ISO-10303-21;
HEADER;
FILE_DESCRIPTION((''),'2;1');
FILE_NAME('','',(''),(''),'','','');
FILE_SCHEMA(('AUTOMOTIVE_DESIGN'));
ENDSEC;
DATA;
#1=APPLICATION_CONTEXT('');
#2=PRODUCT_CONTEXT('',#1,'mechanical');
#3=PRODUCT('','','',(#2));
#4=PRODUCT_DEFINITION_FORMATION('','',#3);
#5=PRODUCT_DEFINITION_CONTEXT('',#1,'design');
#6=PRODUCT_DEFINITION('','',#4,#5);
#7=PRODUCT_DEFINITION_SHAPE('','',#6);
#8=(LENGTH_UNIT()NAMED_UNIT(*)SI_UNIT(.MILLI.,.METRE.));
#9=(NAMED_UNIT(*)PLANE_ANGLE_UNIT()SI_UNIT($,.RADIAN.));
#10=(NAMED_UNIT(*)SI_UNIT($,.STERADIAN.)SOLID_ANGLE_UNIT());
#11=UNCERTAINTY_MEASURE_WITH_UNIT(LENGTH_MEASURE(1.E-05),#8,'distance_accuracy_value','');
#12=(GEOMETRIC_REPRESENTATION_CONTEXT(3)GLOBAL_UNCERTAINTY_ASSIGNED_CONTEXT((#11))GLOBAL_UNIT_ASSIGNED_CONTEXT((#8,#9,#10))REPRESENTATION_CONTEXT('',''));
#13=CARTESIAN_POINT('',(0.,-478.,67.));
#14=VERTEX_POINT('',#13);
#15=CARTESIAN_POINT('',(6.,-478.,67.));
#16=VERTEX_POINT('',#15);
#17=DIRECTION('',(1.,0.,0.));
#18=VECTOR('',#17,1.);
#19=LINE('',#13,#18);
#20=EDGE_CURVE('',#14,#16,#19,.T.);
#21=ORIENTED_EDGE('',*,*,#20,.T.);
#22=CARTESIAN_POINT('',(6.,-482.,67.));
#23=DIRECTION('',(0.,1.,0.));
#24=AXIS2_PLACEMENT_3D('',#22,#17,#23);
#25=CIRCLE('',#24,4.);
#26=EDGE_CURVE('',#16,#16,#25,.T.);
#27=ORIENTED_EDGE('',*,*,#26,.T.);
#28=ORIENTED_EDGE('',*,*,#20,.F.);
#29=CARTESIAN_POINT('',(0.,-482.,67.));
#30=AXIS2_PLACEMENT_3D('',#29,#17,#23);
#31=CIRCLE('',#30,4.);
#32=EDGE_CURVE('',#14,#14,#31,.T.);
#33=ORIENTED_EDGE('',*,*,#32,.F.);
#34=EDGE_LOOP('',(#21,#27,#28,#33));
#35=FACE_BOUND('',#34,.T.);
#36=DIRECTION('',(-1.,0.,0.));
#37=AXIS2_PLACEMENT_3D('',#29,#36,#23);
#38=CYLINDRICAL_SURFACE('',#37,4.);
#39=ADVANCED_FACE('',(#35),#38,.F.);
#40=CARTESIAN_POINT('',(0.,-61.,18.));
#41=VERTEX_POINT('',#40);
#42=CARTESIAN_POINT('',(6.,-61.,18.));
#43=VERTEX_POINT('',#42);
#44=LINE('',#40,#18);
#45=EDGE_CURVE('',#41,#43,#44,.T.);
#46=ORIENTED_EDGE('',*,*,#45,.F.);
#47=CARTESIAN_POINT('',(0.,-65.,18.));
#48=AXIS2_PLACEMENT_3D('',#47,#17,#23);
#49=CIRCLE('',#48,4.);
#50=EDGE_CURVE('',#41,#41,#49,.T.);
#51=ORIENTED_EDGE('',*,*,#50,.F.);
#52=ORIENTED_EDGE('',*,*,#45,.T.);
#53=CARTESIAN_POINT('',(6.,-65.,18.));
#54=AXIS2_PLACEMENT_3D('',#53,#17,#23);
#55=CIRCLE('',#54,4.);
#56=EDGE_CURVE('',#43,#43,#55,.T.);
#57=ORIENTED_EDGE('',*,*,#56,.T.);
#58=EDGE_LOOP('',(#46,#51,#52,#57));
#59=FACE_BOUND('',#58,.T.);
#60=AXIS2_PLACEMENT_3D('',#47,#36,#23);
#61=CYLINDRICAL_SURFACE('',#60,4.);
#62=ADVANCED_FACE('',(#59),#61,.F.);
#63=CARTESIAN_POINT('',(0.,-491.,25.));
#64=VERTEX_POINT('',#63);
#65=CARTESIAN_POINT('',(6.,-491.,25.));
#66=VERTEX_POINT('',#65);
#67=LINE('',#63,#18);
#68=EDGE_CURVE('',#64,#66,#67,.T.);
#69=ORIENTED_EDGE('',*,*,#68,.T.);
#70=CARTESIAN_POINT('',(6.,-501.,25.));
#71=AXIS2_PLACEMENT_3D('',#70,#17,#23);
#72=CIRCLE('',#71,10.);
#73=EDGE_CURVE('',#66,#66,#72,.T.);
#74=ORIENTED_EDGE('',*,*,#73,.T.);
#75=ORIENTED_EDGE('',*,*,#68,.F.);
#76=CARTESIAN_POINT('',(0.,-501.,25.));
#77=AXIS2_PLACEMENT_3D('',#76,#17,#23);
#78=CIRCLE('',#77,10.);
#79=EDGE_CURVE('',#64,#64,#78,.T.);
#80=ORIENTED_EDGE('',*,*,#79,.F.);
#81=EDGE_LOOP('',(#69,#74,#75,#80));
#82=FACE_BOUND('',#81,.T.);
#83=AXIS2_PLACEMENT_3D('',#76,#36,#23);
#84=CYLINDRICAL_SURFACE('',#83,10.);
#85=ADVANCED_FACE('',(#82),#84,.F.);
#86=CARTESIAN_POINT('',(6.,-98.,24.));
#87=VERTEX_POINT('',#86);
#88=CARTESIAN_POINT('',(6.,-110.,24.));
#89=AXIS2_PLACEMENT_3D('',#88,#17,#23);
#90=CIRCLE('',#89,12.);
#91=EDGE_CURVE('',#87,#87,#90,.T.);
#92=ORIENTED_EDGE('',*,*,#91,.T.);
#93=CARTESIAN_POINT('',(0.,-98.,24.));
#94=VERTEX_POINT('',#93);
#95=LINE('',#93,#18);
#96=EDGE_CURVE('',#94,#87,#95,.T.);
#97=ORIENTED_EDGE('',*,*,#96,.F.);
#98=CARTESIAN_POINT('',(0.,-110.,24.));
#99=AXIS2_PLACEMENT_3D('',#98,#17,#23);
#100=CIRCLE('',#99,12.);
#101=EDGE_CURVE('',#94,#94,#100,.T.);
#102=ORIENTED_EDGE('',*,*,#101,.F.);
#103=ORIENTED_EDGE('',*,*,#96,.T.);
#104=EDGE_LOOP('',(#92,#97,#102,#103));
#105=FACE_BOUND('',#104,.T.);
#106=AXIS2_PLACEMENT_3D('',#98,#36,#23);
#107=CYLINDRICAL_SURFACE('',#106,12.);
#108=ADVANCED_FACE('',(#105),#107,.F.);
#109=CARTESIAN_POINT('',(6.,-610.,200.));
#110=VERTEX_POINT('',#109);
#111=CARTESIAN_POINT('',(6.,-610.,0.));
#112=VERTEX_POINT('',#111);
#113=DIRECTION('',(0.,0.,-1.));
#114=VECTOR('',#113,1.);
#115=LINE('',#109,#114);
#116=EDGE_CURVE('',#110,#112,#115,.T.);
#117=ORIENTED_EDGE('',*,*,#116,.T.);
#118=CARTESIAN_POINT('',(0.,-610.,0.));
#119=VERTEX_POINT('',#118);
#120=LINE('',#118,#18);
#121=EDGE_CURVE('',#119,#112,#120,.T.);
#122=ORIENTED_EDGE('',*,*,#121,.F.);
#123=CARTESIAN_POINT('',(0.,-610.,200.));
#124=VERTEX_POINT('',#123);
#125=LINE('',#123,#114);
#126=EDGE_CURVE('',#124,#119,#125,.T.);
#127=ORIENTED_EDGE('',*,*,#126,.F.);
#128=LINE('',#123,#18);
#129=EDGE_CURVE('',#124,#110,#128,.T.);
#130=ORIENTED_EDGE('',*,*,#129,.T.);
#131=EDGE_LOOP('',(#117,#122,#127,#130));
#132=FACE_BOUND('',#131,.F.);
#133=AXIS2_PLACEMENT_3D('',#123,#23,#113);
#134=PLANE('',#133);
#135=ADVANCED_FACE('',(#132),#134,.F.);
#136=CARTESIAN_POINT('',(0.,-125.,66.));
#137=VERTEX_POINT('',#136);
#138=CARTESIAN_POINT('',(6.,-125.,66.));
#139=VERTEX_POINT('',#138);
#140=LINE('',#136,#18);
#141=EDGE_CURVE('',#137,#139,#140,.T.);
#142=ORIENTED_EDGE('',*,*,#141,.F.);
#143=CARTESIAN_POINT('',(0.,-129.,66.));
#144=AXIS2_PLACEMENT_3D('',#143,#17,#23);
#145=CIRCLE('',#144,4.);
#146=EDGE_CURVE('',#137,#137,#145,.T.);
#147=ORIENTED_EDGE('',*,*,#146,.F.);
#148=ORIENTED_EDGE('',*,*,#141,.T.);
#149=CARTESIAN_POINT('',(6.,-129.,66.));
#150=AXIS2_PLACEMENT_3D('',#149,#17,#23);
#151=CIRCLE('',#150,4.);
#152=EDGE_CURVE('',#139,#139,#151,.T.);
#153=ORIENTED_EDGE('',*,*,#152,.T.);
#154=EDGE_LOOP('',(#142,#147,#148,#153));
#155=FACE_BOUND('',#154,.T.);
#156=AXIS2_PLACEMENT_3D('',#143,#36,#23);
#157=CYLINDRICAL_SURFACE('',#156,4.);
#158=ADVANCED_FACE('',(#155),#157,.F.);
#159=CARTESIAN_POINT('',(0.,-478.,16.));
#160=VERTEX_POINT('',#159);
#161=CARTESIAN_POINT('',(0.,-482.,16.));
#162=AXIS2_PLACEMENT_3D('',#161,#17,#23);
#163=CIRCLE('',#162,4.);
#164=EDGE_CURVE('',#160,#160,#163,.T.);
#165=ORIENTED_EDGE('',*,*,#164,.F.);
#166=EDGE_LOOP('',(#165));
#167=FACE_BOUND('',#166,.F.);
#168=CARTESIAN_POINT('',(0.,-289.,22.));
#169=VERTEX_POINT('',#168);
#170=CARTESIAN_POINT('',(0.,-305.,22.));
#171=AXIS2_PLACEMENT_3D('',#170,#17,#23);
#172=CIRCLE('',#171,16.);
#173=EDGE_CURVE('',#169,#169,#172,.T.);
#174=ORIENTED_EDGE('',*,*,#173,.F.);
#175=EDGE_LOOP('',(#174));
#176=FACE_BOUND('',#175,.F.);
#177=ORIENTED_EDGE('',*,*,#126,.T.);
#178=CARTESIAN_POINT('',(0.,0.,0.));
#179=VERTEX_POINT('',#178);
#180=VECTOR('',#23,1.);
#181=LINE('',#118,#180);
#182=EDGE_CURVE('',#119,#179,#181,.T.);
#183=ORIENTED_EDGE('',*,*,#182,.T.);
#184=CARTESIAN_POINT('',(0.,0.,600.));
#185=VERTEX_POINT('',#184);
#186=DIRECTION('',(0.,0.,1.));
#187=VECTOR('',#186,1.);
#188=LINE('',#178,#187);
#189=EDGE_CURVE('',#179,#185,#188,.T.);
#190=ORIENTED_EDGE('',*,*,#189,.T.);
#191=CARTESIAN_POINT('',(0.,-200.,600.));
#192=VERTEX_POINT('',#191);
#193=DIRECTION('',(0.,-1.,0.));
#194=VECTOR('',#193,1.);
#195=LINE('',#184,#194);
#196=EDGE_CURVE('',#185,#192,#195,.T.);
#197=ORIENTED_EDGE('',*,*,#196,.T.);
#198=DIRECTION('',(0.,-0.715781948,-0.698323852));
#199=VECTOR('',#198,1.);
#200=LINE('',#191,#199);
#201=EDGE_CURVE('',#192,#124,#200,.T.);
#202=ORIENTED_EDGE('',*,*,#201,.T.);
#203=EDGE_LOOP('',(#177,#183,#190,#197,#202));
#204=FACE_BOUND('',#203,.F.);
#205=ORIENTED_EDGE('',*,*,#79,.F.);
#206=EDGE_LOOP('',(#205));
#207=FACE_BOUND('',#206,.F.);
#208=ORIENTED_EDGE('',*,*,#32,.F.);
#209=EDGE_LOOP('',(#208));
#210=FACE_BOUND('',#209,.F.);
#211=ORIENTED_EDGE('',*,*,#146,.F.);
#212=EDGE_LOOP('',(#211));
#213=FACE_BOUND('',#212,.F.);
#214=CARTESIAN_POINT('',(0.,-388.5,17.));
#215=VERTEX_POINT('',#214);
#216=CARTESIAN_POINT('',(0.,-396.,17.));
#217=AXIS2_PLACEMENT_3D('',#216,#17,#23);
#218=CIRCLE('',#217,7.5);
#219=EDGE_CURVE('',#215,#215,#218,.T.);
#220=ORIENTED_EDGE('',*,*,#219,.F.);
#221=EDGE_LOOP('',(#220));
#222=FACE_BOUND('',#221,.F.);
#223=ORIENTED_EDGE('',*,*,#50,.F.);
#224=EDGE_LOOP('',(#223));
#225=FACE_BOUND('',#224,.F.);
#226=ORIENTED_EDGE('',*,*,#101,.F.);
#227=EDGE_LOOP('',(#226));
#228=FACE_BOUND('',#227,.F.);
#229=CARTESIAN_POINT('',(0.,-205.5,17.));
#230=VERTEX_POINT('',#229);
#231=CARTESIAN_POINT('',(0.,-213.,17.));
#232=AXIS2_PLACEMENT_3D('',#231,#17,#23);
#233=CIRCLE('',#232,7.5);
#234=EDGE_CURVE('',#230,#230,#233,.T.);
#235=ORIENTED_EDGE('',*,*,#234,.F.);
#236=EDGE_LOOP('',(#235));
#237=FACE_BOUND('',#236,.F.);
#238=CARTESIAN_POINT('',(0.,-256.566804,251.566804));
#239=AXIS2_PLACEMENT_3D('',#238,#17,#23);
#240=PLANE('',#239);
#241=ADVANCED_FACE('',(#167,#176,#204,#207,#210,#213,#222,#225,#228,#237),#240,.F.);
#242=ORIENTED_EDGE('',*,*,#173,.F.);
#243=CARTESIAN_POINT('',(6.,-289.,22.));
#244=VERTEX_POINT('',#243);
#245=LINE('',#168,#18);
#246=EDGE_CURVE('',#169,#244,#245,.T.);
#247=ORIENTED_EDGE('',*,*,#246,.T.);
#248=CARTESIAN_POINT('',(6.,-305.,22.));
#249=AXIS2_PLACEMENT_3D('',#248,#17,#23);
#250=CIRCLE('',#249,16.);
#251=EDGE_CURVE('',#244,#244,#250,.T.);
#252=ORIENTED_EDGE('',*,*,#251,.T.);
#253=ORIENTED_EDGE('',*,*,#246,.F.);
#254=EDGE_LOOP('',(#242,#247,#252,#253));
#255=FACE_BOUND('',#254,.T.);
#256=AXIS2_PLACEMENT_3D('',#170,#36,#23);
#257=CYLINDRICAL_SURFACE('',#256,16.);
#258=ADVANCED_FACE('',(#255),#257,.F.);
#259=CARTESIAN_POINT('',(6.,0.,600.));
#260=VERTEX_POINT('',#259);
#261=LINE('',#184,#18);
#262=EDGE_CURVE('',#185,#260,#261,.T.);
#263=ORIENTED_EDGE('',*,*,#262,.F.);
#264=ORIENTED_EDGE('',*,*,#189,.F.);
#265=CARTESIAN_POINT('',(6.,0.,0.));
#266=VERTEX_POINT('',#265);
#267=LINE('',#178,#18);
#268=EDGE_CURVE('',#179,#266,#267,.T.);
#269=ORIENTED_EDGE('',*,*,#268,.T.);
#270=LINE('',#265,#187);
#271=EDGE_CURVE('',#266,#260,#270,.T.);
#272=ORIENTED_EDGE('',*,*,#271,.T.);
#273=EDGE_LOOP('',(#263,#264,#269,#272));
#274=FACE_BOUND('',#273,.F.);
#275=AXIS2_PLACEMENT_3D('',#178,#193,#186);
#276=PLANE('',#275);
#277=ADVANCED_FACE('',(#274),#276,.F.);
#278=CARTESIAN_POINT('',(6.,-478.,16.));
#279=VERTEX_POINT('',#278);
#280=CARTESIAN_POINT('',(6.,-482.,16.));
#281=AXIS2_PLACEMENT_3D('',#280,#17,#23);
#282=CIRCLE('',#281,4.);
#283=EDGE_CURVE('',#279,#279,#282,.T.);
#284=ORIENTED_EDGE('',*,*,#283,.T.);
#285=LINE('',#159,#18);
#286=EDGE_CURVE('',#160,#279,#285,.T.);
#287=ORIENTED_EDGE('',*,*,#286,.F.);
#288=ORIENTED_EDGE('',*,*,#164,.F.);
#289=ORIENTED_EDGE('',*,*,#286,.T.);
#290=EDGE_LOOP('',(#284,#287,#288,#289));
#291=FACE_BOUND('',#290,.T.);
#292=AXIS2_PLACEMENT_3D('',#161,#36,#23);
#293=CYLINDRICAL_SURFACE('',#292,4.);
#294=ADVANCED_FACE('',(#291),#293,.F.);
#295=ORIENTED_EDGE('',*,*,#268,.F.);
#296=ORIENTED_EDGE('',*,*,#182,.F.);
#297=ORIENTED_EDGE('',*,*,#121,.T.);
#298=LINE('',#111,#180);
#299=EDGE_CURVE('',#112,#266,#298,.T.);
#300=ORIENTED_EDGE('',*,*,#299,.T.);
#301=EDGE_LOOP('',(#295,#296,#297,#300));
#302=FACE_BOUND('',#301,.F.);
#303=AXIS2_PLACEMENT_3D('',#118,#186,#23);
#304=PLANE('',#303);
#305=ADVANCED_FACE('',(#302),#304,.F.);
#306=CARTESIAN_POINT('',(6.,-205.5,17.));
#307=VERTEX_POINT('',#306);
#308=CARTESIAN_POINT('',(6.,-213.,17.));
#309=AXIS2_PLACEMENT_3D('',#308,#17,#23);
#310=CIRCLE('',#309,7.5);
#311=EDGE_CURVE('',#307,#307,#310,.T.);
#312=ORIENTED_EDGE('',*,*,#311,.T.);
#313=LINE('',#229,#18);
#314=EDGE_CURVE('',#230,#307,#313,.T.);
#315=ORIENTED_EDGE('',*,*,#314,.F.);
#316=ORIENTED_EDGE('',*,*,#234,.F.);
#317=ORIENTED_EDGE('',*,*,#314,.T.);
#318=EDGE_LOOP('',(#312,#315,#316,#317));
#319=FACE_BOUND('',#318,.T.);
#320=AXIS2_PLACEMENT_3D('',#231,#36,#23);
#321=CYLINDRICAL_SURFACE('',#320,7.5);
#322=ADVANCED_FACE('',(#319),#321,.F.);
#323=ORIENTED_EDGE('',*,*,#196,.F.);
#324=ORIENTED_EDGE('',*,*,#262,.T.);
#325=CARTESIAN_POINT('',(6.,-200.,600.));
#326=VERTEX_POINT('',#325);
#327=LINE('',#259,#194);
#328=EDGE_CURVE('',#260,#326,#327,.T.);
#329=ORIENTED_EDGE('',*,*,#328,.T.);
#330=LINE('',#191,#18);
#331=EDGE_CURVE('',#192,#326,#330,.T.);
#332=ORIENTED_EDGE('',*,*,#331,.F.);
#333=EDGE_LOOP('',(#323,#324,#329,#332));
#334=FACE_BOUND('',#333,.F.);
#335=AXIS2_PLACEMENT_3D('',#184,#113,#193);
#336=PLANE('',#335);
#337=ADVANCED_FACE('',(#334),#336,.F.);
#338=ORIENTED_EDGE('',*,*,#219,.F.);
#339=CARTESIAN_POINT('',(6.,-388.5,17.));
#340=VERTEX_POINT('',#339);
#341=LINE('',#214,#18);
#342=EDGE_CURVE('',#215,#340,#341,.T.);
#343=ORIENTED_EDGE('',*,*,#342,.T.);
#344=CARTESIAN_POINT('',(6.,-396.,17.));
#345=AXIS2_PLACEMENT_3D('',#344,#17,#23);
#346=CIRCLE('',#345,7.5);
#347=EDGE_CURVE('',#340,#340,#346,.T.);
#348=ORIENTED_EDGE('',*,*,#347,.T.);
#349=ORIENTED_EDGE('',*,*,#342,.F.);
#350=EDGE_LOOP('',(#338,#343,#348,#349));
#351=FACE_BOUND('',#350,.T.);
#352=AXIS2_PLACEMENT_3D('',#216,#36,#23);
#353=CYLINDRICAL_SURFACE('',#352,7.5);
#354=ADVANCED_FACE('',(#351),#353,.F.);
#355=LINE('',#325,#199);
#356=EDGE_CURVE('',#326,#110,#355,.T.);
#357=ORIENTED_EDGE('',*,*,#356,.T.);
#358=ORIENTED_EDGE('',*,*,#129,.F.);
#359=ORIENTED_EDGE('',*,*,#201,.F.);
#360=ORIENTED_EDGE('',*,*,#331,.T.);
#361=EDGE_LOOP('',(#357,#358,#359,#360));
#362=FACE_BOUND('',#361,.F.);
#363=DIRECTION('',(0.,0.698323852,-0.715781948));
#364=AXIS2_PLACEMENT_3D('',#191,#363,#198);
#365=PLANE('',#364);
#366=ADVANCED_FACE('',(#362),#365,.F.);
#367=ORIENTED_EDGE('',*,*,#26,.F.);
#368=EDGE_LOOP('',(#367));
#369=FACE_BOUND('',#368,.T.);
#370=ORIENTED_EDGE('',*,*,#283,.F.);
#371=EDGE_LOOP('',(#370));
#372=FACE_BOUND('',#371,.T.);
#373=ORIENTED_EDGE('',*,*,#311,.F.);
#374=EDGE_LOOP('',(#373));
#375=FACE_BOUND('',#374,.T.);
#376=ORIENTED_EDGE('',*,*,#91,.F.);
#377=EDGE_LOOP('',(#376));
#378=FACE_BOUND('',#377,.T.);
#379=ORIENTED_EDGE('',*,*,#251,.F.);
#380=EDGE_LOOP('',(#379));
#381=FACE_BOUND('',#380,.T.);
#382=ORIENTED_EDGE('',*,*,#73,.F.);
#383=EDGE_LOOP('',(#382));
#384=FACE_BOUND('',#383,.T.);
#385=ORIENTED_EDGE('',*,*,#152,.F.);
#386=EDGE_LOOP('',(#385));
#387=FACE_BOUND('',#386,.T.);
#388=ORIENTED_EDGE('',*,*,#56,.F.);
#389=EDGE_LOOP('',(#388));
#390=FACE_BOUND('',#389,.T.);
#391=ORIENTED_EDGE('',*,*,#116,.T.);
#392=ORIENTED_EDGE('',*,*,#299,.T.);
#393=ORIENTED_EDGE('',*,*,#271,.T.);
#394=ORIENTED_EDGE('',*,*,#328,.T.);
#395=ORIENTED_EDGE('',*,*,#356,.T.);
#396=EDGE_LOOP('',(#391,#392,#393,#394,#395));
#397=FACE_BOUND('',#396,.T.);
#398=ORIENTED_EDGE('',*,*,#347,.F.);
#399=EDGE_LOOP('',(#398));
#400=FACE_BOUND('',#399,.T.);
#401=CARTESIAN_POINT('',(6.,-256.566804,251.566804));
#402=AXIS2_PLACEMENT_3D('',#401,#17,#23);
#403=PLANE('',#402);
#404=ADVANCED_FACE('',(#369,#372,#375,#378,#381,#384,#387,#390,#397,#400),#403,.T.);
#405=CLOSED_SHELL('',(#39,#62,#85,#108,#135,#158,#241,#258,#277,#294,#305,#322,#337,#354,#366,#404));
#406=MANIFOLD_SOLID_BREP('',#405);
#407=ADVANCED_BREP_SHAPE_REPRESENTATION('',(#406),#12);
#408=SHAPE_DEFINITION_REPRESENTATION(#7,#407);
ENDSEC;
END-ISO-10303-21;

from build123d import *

# Parameters (mm, degrees)
F0_R     = 10
F0_R_2   = 4
F0_R_3   = 7.5
F0_R_4   = 16
F0_R_5   = 12
F1_DEPTH = 6


with BuildPart() as f1:
    # F0 (on Right) → F1 (new body)
    with BuildSketch(Plane.YZ):
        Polygon((-496, 0), (0, 0), (0, 600), (-200, 600), (-610, 200), (-610, 0), align=None)
        with Locations((-501, 25)):
            Circle(F0_R, mode=Mode.SUBTRACT)
        with Locations((-482, 16)):
            Circle(F0_R_2, mode=Mode.SUBTRACT)
        with Locations((-482, 67)):
            Circle(F0_R_2, mode=Mode.SUBTRACT)
        with Locations((-396, 17)):
            Circle(F0_R_3, mode=Mode.SUBTRACT)
        with Locations((-305, 22)):
            Circle(F0_R_4, mode=Mode.SUBTRACT)
        with Locations((-213, 17)):
            Circle(F0_R_3, mode=Mode.SUBTRACT)
        with Locations((-110, 24)):
            Circle(F0_R_5, mode=Mode.SUBTRACT)
        with Locations((-129, 66)):
            Circle(F0_R_2, mode=Mode.SUBTRACT)
        with Locations((-65, 18)):
            Circle(F0_R_2, mode=Mode.SUBTRACT)
    extrude(amount=F1_DEPTH)


solid = f1.part
